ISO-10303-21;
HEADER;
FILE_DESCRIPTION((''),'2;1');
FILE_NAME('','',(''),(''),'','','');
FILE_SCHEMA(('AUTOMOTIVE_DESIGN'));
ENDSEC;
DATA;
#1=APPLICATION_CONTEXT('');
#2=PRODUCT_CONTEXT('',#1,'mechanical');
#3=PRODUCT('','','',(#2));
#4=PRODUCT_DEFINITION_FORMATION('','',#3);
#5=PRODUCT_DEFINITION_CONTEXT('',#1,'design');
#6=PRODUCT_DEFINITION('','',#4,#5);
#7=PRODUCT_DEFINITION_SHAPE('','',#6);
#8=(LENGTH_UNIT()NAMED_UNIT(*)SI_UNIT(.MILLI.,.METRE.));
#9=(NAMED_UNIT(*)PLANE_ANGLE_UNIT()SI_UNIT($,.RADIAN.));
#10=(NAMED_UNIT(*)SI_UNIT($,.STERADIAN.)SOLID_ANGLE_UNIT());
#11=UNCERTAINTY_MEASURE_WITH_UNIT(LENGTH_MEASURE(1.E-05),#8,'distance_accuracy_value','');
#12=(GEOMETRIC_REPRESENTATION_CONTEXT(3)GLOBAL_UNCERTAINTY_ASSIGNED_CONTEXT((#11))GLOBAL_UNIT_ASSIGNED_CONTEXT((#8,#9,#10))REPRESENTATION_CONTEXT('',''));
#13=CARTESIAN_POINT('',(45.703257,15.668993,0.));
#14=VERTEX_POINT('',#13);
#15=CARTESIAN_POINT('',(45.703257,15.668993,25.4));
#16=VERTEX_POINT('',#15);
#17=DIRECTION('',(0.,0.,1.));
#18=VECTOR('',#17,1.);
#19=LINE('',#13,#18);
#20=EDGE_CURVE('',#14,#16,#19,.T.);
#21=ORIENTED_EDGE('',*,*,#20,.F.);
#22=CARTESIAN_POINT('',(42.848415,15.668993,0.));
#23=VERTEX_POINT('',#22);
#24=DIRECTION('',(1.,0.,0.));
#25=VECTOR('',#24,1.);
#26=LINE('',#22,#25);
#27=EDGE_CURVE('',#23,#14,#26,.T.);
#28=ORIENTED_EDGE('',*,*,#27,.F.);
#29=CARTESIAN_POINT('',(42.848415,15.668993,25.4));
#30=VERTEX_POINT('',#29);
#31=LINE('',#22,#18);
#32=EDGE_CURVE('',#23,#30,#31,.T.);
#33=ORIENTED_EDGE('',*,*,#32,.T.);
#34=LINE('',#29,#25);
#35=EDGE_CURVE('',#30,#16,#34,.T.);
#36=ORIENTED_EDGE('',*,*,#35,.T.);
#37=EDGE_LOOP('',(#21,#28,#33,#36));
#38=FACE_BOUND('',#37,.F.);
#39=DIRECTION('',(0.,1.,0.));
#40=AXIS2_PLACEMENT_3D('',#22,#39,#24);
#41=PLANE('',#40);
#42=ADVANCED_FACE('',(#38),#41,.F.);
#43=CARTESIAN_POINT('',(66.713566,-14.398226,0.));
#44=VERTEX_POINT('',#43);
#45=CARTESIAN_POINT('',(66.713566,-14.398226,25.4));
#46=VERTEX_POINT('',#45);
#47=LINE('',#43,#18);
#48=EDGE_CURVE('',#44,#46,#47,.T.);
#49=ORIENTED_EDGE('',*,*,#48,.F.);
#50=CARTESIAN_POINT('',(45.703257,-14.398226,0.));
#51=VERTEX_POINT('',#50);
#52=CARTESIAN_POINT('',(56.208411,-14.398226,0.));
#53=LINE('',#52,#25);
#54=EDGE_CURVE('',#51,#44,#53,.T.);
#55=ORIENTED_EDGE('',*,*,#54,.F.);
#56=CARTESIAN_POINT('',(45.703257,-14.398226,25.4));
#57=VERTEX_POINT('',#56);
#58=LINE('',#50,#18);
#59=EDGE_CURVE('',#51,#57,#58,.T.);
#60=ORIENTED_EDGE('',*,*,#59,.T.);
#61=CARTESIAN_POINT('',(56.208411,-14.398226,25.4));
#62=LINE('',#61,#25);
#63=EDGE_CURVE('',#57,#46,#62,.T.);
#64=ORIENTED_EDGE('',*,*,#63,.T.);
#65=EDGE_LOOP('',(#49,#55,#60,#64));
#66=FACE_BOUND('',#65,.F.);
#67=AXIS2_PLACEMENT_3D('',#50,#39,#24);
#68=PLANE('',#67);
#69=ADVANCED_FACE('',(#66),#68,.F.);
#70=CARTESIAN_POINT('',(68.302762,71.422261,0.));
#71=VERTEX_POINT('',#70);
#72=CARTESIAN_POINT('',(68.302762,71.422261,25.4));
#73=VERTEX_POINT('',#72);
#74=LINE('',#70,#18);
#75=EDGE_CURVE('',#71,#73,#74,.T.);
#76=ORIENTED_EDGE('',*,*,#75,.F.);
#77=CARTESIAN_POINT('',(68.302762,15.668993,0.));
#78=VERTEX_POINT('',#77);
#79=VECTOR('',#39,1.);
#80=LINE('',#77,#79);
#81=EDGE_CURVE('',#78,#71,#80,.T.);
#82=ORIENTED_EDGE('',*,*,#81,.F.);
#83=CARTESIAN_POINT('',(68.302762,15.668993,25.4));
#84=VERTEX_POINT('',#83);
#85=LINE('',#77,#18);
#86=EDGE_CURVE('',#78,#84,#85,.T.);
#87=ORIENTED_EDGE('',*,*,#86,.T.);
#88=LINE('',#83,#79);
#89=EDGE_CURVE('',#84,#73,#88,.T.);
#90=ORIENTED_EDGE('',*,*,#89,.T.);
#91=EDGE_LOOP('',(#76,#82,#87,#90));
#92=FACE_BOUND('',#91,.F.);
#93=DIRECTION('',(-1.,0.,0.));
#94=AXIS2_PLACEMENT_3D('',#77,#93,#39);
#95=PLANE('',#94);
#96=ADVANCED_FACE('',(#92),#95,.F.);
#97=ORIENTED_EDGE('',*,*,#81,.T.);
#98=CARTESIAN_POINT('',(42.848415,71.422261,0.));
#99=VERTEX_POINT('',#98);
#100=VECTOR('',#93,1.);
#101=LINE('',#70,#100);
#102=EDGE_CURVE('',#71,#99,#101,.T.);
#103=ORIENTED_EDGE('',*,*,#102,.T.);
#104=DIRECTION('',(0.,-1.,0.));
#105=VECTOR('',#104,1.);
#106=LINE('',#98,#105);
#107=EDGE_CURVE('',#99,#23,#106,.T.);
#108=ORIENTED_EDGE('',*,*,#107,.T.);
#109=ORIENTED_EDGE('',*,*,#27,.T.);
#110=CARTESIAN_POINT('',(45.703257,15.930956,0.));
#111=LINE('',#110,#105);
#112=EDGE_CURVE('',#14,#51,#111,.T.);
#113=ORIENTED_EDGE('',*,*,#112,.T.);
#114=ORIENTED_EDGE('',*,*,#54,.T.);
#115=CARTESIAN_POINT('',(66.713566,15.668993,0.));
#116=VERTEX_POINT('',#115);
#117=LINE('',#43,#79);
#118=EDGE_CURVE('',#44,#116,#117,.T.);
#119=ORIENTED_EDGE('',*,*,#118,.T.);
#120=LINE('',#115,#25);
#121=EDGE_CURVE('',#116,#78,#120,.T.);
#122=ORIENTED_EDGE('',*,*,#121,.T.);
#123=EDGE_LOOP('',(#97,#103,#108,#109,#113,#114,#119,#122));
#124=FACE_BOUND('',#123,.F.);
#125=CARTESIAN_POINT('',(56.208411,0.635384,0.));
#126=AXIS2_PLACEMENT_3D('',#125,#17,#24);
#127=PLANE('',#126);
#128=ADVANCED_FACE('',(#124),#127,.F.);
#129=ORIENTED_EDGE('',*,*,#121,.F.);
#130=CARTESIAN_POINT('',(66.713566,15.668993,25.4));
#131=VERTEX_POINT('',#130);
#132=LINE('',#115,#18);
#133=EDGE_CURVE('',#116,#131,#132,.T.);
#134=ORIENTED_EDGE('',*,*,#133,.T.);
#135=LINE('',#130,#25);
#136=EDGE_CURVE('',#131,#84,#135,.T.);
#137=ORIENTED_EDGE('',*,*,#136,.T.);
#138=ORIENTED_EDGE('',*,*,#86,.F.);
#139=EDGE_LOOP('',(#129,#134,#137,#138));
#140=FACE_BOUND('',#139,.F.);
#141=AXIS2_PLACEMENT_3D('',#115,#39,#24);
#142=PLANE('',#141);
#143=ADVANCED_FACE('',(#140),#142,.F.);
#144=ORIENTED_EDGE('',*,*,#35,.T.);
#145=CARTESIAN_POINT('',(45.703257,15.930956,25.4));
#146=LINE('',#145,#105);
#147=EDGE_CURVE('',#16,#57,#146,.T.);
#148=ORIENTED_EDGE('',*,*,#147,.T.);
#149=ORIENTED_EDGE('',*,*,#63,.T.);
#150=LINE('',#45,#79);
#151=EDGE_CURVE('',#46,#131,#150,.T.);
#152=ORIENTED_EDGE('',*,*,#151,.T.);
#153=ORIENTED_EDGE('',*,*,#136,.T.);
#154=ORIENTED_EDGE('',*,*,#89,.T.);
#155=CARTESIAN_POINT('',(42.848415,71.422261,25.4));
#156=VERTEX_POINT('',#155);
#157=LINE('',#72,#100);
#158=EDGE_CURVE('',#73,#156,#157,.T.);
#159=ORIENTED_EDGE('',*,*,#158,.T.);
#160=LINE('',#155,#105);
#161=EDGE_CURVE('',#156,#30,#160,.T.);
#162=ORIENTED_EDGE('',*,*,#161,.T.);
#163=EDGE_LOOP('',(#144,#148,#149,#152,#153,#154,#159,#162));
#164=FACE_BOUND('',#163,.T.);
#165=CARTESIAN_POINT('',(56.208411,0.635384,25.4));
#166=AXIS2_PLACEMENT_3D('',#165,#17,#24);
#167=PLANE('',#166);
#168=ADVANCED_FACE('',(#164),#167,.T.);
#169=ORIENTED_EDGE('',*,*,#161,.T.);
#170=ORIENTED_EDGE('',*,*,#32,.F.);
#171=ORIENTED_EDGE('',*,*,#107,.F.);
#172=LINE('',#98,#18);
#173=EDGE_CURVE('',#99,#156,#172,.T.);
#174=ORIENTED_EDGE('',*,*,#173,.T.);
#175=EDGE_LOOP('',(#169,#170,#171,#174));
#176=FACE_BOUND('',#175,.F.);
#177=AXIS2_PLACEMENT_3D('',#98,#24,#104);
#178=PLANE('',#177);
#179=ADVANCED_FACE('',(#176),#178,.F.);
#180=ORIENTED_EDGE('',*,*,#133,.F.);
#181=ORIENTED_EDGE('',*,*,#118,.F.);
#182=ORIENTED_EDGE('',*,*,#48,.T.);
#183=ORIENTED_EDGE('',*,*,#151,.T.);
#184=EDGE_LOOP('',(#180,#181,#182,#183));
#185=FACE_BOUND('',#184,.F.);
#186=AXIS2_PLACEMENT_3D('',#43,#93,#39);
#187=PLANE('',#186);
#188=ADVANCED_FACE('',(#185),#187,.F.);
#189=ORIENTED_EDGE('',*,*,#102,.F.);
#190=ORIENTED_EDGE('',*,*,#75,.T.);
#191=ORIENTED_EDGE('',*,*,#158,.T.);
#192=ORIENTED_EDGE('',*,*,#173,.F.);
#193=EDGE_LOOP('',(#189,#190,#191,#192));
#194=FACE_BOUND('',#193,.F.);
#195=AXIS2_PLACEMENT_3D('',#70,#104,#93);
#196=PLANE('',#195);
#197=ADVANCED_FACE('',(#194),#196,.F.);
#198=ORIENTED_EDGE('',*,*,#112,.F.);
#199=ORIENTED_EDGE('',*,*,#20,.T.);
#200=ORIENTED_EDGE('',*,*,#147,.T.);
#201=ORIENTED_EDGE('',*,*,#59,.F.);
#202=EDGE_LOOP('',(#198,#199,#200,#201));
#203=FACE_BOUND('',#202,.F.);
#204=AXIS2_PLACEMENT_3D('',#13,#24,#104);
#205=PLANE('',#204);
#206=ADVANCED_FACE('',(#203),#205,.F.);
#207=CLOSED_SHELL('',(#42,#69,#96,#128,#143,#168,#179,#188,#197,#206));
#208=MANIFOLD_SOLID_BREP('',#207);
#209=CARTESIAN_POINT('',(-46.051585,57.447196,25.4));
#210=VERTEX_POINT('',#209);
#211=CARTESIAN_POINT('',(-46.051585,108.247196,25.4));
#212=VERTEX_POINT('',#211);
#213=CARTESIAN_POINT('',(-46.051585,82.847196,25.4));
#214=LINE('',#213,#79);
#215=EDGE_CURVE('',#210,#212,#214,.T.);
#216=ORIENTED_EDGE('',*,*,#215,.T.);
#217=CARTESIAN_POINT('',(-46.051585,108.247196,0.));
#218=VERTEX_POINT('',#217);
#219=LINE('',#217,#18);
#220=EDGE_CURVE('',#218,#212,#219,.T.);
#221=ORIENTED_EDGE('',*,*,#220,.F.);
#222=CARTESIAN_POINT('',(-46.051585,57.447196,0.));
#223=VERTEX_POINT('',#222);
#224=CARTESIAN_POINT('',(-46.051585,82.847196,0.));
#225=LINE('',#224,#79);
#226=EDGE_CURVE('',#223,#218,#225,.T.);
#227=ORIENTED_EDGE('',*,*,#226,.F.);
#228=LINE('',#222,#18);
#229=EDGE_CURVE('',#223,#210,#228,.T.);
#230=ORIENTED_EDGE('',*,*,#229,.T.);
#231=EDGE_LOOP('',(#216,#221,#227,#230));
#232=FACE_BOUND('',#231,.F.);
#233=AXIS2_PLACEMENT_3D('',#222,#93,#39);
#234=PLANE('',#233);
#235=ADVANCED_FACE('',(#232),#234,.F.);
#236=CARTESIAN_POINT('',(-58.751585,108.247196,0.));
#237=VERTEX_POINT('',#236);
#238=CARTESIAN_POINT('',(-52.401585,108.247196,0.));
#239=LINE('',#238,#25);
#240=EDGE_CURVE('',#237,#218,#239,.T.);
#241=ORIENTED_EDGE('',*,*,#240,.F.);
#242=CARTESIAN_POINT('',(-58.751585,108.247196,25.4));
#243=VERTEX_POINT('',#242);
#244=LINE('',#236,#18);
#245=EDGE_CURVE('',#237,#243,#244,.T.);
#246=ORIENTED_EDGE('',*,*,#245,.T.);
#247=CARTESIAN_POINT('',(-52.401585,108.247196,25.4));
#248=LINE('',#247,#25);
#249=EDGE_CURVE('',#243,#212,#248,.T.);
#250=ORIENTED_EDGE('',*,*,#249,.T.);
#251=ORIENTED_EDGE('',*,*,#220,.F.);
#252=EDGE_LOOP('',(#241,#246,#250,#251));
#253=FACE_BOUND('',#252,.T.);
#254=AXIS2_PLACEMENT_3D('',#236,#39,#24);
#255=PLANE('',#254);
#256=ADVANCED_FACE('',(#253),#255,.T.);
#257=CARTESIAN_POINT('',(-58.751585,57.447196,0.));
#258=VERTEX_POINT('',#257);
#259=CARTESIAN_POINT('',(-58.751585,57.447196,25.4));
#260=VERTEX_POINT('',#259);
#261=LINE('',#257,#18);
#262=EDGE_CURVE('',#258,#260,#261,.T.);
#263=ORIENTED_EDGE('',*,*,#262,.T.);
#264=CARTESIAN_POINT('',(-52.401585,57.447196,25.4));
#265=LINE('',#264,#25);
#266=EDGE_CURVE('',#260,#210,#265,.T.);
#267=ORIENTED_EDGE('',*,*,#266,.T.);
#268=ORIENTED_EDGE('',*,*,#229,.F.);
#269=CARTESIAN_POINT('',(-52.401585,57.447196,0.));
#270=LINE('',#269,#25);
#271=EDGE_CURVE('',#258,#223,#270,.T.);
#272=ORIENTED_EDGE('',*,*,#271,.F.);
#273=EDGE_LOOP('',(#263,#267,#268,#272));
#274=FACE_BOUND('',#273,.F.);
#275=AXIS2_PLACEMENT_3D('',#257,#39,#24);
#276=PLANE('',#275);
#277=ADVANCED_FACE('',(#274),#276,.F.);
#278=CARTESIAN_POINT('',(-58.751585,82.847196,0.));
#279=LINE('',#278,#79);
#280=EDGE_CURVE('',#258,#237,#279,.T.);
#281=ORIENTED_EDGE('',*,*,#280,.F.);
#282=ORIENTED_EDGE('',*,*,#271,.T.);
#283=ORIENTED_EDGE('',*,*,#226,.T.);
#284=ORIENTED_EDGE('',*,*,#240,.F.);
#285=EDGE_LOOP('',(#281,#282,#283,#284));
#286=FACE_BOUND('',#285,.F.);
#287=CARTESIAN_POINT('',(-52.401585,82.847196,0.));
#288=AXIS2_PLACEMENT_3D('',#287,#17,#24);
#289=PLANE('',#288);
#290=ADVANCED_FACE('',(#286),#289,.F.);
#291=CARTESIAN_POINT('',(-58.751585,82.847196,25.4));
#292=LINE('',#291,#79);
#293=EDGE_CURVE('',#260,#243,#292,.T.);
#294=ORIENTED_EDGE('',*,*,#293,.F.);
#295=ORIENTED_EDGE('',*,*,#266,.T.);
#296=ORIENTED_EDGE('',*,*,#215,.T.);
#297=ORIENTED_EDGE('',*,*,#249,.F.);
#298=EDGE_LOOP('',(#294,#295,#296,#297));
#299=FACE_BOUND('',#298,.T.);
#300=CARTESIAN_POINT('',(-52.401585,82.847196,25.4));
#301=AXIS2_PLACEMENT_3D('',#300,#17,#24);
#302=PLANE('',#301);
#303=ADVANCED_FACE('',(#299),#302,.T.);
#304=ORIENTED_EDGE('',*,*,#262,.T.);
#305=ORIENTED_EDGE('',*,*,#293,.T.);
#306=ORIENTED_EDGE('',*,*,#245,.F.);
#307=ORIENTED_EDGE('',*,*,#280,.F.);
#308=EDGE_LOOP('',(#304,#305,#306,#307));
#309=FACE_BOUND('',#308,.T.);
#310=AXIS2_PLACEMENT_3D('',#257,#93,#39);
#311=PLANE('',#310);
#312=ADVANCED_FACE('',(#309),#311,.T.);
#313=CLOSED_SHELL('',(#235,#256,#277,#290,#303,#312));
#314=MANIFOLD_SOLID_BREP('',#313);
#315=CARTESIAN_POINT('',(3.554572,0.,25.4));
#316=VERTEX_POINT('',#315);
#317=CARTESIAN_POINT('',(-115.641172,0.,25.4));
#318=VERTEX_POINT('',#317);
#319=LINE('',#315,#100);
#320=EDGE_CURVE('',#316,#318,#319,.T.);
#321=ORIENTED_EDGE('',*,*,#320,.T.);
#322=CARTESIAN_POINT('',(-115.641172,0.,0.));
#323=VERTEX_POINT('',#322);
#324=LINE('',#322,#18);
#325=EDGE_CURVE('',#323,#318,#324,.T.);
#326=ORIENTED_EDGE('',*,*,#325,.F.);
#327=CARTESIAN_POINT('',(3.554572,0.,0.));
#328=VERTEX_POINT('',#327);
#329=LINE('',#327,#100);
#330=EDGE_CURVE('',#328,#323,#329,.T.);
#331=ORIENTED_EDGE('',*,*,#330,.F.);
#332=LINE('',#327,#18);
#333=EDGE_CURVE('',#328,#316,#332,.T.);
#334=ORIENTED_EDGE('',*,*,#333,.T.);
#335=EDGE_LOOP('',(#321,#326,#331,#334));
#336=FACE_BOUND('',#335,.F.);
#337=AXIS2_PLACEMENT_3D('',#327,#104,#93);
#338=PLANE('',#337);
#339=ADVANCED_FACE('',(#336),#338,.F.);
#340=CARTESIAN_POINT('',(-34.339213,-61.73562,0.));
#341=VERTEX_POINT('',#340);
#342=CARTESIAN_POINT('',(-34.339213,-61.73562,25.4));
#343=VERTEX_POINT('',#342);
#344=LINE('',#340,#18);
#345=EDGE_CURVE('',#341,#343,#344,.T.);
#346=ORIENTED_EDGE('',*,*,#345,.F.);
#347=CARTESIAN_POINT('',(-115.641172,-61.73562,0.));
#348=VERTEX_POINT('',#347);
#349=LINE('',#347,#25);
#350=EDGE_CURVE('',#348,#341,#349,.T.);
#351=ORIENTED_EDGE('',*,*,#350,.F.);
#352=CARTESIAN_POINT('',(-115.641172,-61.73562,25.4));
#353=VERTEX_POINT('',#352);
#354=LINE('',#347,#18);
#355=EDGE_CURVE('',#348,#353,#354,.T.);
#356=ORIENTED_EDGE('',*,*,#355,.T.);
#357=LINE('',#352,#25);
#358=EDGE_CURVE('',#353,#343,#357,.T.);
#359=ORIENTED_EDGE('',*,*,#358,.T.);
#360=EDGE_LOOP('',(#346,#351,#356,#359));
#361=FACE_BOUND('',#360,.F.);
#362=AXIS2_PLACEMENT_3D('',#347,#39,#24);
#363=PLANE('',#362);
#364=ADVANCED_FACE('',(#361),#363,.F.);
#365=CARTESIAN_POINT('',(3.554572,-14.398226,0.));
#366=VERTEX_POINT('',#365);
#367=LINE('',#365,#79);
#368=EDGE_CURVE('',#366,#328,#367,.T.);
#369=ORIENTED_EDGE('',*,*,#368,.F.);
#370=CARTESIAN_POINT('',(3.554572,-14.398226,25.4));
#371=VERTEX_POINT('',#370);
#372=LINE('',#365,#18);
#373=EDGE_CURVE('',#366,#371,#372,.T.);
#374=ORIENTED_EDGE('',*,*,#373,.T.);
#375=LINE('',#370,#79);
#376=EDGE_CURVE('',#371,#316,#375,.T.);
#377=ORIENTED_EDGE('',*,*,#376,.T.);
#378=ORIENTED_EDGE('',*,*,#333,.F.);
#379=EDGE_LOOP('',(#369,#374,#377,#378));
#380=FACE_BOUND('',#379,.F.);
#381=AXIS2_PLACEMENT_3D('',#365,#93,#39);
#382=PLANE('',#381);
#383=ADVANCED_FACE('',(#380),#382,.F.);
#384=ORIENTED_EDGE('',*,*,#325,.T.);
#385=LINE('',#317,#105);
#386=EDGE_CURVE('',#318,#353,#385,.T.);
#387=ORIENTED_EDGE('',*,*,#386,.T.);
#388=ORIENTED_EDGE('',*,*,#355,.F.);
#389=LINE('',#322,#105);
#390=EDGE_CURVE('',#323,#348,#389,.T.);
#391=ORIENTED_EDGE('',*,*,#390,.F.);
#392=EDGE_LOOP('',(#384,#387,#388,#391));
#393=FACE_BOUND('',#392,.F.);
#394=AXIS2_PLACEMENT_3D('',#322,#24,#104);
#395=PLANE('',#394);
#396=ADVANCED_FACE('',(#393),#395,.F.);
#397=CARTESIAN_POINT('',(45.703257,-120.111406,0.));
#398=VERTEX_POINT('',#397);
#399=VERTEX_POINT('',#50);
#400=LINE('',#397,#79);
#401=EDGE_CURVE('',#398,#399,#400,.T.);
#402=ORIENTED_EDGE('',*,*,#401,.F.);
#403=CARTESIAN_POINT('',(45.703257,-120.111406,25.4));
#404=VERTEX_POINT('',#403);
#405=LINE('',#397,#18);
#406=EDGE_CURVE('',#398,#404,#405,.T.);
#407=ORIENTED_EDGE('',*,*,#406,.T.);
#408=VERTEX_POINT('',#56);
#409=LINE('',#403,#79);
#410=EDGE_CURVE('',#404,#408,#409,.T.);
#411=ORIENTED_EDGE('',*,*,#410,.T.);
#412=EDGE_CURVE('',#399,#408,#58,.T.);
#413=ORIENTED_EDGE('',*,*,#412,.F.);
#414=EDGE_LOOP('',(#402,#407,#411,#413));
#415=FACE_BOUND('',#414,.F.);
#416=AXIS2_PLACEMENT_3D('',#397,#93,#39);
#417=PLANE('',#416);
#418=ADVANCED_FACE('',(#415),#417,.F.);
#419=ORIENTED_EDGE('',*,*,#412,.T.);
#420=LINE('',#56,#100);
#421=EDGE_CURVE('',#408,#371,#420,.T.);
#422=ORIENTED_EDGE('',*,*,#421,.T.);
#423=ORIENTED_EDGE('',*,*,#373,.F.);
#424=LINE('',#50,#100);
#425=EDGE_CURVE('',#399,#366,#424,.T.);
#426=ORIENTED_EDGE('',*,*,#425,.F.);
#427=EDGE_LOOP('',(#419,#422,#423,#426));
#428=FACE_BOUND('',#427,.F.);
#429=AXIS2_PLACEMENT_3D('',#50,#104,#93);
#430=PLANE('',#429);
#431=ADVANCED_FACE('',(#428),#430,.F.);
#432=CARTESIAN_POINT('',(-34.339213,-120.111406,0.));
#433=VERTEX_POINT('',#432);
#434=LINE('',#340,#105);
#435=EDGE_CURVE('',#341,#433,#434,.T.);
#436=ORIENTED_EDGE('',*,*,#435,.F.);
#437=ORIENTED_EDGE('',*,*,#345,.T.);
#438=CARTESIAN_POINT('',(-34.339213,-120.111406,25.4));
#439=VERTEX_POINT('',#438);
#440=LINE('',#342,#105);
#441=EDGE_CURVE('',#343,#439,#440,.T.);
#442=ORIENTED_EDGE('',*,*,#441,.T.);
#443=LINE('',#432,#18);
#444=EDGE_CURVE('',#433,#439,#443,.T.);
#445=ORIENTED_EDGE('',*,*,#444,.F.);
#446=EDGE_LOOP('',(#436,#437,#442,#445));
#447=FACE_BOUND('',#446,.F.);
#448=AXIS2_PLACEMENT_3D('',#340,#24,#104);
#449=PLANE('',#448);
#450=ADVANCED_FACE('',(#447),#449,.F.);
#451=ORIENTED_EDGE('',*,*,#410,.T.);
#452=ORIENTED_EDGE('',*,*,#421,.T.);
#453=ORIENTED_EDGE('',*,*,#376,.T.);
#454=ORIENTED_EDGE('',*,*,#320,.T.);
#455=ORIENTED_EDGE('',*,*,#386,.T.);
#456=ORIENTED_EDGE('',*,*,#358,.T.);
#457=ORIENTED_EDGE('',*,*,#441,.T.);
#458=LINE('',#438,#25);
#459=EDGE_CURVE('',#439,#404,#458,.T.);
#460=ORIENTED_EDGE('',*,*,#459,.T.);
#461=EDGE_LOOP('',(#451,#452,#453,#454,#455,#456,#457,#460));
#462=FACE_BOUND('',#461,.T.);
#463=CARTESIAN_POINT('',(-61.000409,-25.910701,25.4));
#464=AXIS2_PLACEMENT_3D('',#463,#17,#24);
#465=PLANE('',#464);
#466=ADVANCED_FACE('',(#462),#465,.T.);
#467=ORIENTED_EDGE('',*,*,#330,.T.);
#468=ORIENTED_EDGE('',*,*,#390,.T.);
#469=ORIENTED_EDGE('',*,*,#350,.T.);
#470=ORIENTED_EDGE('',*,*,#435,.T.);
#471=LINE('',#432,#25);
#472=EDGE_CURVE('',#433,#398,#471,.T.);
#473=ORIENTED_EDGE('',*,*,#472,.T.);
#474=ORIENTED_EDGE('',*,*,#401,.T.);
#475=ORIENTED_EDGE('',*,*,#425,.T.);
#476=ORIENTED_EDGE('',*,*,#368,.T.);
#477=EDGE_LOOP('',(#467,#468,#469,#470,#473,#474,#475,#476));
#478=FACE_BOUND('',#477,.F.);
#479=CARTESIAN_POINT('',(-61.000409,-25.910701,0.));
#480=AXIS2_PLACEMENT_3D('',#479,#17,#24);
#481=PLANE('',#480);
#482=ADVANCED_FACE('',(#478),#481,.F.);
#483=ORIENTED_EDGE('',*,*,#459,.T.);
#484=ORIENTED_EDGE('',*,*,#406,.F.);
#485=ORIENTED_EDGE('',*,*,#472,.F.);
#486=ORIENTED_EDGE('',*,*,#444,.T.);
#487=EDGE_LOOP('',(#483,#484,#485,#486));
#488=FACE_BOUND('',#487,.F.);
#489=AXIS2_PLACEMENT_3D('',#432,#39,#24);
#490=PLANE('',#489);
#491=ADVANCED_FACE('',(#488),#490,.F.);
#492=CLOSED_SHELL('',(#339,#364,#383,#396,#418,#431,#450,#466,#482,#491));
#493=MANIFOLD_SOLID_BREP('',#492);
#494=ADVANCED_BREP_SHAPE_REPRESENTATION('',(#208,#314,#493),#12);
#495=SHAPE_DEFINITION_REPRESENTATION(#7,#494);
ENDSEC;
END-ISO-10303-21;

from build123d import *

# Parameters (mm, degrees)
F0_W     = 37.8937845179
F0_H     = 47.3373946244
F1_DEPTH = 25.4
F0_W_2   = 21.0103082003
F0_H_2   = 30.0672181955
F0_H_3   = 0.2619628472
F0_W_3   = 12.7
F0_H_4   = 50.8


with BuildPart() as f1:
    # F0 (on Top) → F1 (new body)
    with BuildSketch(Plane.XY):
        Polygon((3.5545719384, -14.3982255389), (3.5545719384, 0), (-115.641171745, 0), (-115.641171745, -61.7356201633), (-34.3392125795, -61.7356201633), (-34.3392125795, -14.3982255389), align=None)
        Polygon((45.7032573575, -14.3982255389), (3.5545719384, -14.3982255389), (3.5545719384, -61.7356201633), (-34.3392125795, -61.7356201633), (-34.3392125795, -120.1114062909), (45.7032573575, -120.1114062909), align=None)
        with Locations((-15.3923203205, -38.0669228511)):
            Rectangle(F0_W, F0_H)
    extrude(amount=F1_DEPTH)


with BuildPart() as f1b:
    # F0 (on Top) → F1, piece 2 (new body)
    with BuildSketch(Plane.XY):
        with Locations((56.2084114576, 0.6353835588)):
            Rectangle(F0_W_2, F0_H_2)
        with Locations((56.2084114576, 15.7999740802)):
            Rectangle(F0_W_2, F0_H_3)
        Polygon((42.8484153111, 15.6689926566), (45.7032573575, 15.6689926566), (45.7032573575, 15.9309555038), (66.7135655578, 15.9309555038), (66.7135655578, 15.6689926566), (68.3027617726, 15.6689926566), (68.3027617726, 71.4222609481), (42.8484153111, 71.4222609481), align=None)
    extrude(amount=F1_DEPTH)


with BuildPart() as f1c:
    # F0 (on Top) → F1, piece 3 (new body)
    with BuildSketch(Plane.XY):
        with Locations((-52.4015846889, 82.8471958824)):
            Rectangle(F0_W_3, F0_H_4)
    extrude(amount=F1_DEPTH)


solid = Compound([f1.part, f1b.part, f1c.part])
